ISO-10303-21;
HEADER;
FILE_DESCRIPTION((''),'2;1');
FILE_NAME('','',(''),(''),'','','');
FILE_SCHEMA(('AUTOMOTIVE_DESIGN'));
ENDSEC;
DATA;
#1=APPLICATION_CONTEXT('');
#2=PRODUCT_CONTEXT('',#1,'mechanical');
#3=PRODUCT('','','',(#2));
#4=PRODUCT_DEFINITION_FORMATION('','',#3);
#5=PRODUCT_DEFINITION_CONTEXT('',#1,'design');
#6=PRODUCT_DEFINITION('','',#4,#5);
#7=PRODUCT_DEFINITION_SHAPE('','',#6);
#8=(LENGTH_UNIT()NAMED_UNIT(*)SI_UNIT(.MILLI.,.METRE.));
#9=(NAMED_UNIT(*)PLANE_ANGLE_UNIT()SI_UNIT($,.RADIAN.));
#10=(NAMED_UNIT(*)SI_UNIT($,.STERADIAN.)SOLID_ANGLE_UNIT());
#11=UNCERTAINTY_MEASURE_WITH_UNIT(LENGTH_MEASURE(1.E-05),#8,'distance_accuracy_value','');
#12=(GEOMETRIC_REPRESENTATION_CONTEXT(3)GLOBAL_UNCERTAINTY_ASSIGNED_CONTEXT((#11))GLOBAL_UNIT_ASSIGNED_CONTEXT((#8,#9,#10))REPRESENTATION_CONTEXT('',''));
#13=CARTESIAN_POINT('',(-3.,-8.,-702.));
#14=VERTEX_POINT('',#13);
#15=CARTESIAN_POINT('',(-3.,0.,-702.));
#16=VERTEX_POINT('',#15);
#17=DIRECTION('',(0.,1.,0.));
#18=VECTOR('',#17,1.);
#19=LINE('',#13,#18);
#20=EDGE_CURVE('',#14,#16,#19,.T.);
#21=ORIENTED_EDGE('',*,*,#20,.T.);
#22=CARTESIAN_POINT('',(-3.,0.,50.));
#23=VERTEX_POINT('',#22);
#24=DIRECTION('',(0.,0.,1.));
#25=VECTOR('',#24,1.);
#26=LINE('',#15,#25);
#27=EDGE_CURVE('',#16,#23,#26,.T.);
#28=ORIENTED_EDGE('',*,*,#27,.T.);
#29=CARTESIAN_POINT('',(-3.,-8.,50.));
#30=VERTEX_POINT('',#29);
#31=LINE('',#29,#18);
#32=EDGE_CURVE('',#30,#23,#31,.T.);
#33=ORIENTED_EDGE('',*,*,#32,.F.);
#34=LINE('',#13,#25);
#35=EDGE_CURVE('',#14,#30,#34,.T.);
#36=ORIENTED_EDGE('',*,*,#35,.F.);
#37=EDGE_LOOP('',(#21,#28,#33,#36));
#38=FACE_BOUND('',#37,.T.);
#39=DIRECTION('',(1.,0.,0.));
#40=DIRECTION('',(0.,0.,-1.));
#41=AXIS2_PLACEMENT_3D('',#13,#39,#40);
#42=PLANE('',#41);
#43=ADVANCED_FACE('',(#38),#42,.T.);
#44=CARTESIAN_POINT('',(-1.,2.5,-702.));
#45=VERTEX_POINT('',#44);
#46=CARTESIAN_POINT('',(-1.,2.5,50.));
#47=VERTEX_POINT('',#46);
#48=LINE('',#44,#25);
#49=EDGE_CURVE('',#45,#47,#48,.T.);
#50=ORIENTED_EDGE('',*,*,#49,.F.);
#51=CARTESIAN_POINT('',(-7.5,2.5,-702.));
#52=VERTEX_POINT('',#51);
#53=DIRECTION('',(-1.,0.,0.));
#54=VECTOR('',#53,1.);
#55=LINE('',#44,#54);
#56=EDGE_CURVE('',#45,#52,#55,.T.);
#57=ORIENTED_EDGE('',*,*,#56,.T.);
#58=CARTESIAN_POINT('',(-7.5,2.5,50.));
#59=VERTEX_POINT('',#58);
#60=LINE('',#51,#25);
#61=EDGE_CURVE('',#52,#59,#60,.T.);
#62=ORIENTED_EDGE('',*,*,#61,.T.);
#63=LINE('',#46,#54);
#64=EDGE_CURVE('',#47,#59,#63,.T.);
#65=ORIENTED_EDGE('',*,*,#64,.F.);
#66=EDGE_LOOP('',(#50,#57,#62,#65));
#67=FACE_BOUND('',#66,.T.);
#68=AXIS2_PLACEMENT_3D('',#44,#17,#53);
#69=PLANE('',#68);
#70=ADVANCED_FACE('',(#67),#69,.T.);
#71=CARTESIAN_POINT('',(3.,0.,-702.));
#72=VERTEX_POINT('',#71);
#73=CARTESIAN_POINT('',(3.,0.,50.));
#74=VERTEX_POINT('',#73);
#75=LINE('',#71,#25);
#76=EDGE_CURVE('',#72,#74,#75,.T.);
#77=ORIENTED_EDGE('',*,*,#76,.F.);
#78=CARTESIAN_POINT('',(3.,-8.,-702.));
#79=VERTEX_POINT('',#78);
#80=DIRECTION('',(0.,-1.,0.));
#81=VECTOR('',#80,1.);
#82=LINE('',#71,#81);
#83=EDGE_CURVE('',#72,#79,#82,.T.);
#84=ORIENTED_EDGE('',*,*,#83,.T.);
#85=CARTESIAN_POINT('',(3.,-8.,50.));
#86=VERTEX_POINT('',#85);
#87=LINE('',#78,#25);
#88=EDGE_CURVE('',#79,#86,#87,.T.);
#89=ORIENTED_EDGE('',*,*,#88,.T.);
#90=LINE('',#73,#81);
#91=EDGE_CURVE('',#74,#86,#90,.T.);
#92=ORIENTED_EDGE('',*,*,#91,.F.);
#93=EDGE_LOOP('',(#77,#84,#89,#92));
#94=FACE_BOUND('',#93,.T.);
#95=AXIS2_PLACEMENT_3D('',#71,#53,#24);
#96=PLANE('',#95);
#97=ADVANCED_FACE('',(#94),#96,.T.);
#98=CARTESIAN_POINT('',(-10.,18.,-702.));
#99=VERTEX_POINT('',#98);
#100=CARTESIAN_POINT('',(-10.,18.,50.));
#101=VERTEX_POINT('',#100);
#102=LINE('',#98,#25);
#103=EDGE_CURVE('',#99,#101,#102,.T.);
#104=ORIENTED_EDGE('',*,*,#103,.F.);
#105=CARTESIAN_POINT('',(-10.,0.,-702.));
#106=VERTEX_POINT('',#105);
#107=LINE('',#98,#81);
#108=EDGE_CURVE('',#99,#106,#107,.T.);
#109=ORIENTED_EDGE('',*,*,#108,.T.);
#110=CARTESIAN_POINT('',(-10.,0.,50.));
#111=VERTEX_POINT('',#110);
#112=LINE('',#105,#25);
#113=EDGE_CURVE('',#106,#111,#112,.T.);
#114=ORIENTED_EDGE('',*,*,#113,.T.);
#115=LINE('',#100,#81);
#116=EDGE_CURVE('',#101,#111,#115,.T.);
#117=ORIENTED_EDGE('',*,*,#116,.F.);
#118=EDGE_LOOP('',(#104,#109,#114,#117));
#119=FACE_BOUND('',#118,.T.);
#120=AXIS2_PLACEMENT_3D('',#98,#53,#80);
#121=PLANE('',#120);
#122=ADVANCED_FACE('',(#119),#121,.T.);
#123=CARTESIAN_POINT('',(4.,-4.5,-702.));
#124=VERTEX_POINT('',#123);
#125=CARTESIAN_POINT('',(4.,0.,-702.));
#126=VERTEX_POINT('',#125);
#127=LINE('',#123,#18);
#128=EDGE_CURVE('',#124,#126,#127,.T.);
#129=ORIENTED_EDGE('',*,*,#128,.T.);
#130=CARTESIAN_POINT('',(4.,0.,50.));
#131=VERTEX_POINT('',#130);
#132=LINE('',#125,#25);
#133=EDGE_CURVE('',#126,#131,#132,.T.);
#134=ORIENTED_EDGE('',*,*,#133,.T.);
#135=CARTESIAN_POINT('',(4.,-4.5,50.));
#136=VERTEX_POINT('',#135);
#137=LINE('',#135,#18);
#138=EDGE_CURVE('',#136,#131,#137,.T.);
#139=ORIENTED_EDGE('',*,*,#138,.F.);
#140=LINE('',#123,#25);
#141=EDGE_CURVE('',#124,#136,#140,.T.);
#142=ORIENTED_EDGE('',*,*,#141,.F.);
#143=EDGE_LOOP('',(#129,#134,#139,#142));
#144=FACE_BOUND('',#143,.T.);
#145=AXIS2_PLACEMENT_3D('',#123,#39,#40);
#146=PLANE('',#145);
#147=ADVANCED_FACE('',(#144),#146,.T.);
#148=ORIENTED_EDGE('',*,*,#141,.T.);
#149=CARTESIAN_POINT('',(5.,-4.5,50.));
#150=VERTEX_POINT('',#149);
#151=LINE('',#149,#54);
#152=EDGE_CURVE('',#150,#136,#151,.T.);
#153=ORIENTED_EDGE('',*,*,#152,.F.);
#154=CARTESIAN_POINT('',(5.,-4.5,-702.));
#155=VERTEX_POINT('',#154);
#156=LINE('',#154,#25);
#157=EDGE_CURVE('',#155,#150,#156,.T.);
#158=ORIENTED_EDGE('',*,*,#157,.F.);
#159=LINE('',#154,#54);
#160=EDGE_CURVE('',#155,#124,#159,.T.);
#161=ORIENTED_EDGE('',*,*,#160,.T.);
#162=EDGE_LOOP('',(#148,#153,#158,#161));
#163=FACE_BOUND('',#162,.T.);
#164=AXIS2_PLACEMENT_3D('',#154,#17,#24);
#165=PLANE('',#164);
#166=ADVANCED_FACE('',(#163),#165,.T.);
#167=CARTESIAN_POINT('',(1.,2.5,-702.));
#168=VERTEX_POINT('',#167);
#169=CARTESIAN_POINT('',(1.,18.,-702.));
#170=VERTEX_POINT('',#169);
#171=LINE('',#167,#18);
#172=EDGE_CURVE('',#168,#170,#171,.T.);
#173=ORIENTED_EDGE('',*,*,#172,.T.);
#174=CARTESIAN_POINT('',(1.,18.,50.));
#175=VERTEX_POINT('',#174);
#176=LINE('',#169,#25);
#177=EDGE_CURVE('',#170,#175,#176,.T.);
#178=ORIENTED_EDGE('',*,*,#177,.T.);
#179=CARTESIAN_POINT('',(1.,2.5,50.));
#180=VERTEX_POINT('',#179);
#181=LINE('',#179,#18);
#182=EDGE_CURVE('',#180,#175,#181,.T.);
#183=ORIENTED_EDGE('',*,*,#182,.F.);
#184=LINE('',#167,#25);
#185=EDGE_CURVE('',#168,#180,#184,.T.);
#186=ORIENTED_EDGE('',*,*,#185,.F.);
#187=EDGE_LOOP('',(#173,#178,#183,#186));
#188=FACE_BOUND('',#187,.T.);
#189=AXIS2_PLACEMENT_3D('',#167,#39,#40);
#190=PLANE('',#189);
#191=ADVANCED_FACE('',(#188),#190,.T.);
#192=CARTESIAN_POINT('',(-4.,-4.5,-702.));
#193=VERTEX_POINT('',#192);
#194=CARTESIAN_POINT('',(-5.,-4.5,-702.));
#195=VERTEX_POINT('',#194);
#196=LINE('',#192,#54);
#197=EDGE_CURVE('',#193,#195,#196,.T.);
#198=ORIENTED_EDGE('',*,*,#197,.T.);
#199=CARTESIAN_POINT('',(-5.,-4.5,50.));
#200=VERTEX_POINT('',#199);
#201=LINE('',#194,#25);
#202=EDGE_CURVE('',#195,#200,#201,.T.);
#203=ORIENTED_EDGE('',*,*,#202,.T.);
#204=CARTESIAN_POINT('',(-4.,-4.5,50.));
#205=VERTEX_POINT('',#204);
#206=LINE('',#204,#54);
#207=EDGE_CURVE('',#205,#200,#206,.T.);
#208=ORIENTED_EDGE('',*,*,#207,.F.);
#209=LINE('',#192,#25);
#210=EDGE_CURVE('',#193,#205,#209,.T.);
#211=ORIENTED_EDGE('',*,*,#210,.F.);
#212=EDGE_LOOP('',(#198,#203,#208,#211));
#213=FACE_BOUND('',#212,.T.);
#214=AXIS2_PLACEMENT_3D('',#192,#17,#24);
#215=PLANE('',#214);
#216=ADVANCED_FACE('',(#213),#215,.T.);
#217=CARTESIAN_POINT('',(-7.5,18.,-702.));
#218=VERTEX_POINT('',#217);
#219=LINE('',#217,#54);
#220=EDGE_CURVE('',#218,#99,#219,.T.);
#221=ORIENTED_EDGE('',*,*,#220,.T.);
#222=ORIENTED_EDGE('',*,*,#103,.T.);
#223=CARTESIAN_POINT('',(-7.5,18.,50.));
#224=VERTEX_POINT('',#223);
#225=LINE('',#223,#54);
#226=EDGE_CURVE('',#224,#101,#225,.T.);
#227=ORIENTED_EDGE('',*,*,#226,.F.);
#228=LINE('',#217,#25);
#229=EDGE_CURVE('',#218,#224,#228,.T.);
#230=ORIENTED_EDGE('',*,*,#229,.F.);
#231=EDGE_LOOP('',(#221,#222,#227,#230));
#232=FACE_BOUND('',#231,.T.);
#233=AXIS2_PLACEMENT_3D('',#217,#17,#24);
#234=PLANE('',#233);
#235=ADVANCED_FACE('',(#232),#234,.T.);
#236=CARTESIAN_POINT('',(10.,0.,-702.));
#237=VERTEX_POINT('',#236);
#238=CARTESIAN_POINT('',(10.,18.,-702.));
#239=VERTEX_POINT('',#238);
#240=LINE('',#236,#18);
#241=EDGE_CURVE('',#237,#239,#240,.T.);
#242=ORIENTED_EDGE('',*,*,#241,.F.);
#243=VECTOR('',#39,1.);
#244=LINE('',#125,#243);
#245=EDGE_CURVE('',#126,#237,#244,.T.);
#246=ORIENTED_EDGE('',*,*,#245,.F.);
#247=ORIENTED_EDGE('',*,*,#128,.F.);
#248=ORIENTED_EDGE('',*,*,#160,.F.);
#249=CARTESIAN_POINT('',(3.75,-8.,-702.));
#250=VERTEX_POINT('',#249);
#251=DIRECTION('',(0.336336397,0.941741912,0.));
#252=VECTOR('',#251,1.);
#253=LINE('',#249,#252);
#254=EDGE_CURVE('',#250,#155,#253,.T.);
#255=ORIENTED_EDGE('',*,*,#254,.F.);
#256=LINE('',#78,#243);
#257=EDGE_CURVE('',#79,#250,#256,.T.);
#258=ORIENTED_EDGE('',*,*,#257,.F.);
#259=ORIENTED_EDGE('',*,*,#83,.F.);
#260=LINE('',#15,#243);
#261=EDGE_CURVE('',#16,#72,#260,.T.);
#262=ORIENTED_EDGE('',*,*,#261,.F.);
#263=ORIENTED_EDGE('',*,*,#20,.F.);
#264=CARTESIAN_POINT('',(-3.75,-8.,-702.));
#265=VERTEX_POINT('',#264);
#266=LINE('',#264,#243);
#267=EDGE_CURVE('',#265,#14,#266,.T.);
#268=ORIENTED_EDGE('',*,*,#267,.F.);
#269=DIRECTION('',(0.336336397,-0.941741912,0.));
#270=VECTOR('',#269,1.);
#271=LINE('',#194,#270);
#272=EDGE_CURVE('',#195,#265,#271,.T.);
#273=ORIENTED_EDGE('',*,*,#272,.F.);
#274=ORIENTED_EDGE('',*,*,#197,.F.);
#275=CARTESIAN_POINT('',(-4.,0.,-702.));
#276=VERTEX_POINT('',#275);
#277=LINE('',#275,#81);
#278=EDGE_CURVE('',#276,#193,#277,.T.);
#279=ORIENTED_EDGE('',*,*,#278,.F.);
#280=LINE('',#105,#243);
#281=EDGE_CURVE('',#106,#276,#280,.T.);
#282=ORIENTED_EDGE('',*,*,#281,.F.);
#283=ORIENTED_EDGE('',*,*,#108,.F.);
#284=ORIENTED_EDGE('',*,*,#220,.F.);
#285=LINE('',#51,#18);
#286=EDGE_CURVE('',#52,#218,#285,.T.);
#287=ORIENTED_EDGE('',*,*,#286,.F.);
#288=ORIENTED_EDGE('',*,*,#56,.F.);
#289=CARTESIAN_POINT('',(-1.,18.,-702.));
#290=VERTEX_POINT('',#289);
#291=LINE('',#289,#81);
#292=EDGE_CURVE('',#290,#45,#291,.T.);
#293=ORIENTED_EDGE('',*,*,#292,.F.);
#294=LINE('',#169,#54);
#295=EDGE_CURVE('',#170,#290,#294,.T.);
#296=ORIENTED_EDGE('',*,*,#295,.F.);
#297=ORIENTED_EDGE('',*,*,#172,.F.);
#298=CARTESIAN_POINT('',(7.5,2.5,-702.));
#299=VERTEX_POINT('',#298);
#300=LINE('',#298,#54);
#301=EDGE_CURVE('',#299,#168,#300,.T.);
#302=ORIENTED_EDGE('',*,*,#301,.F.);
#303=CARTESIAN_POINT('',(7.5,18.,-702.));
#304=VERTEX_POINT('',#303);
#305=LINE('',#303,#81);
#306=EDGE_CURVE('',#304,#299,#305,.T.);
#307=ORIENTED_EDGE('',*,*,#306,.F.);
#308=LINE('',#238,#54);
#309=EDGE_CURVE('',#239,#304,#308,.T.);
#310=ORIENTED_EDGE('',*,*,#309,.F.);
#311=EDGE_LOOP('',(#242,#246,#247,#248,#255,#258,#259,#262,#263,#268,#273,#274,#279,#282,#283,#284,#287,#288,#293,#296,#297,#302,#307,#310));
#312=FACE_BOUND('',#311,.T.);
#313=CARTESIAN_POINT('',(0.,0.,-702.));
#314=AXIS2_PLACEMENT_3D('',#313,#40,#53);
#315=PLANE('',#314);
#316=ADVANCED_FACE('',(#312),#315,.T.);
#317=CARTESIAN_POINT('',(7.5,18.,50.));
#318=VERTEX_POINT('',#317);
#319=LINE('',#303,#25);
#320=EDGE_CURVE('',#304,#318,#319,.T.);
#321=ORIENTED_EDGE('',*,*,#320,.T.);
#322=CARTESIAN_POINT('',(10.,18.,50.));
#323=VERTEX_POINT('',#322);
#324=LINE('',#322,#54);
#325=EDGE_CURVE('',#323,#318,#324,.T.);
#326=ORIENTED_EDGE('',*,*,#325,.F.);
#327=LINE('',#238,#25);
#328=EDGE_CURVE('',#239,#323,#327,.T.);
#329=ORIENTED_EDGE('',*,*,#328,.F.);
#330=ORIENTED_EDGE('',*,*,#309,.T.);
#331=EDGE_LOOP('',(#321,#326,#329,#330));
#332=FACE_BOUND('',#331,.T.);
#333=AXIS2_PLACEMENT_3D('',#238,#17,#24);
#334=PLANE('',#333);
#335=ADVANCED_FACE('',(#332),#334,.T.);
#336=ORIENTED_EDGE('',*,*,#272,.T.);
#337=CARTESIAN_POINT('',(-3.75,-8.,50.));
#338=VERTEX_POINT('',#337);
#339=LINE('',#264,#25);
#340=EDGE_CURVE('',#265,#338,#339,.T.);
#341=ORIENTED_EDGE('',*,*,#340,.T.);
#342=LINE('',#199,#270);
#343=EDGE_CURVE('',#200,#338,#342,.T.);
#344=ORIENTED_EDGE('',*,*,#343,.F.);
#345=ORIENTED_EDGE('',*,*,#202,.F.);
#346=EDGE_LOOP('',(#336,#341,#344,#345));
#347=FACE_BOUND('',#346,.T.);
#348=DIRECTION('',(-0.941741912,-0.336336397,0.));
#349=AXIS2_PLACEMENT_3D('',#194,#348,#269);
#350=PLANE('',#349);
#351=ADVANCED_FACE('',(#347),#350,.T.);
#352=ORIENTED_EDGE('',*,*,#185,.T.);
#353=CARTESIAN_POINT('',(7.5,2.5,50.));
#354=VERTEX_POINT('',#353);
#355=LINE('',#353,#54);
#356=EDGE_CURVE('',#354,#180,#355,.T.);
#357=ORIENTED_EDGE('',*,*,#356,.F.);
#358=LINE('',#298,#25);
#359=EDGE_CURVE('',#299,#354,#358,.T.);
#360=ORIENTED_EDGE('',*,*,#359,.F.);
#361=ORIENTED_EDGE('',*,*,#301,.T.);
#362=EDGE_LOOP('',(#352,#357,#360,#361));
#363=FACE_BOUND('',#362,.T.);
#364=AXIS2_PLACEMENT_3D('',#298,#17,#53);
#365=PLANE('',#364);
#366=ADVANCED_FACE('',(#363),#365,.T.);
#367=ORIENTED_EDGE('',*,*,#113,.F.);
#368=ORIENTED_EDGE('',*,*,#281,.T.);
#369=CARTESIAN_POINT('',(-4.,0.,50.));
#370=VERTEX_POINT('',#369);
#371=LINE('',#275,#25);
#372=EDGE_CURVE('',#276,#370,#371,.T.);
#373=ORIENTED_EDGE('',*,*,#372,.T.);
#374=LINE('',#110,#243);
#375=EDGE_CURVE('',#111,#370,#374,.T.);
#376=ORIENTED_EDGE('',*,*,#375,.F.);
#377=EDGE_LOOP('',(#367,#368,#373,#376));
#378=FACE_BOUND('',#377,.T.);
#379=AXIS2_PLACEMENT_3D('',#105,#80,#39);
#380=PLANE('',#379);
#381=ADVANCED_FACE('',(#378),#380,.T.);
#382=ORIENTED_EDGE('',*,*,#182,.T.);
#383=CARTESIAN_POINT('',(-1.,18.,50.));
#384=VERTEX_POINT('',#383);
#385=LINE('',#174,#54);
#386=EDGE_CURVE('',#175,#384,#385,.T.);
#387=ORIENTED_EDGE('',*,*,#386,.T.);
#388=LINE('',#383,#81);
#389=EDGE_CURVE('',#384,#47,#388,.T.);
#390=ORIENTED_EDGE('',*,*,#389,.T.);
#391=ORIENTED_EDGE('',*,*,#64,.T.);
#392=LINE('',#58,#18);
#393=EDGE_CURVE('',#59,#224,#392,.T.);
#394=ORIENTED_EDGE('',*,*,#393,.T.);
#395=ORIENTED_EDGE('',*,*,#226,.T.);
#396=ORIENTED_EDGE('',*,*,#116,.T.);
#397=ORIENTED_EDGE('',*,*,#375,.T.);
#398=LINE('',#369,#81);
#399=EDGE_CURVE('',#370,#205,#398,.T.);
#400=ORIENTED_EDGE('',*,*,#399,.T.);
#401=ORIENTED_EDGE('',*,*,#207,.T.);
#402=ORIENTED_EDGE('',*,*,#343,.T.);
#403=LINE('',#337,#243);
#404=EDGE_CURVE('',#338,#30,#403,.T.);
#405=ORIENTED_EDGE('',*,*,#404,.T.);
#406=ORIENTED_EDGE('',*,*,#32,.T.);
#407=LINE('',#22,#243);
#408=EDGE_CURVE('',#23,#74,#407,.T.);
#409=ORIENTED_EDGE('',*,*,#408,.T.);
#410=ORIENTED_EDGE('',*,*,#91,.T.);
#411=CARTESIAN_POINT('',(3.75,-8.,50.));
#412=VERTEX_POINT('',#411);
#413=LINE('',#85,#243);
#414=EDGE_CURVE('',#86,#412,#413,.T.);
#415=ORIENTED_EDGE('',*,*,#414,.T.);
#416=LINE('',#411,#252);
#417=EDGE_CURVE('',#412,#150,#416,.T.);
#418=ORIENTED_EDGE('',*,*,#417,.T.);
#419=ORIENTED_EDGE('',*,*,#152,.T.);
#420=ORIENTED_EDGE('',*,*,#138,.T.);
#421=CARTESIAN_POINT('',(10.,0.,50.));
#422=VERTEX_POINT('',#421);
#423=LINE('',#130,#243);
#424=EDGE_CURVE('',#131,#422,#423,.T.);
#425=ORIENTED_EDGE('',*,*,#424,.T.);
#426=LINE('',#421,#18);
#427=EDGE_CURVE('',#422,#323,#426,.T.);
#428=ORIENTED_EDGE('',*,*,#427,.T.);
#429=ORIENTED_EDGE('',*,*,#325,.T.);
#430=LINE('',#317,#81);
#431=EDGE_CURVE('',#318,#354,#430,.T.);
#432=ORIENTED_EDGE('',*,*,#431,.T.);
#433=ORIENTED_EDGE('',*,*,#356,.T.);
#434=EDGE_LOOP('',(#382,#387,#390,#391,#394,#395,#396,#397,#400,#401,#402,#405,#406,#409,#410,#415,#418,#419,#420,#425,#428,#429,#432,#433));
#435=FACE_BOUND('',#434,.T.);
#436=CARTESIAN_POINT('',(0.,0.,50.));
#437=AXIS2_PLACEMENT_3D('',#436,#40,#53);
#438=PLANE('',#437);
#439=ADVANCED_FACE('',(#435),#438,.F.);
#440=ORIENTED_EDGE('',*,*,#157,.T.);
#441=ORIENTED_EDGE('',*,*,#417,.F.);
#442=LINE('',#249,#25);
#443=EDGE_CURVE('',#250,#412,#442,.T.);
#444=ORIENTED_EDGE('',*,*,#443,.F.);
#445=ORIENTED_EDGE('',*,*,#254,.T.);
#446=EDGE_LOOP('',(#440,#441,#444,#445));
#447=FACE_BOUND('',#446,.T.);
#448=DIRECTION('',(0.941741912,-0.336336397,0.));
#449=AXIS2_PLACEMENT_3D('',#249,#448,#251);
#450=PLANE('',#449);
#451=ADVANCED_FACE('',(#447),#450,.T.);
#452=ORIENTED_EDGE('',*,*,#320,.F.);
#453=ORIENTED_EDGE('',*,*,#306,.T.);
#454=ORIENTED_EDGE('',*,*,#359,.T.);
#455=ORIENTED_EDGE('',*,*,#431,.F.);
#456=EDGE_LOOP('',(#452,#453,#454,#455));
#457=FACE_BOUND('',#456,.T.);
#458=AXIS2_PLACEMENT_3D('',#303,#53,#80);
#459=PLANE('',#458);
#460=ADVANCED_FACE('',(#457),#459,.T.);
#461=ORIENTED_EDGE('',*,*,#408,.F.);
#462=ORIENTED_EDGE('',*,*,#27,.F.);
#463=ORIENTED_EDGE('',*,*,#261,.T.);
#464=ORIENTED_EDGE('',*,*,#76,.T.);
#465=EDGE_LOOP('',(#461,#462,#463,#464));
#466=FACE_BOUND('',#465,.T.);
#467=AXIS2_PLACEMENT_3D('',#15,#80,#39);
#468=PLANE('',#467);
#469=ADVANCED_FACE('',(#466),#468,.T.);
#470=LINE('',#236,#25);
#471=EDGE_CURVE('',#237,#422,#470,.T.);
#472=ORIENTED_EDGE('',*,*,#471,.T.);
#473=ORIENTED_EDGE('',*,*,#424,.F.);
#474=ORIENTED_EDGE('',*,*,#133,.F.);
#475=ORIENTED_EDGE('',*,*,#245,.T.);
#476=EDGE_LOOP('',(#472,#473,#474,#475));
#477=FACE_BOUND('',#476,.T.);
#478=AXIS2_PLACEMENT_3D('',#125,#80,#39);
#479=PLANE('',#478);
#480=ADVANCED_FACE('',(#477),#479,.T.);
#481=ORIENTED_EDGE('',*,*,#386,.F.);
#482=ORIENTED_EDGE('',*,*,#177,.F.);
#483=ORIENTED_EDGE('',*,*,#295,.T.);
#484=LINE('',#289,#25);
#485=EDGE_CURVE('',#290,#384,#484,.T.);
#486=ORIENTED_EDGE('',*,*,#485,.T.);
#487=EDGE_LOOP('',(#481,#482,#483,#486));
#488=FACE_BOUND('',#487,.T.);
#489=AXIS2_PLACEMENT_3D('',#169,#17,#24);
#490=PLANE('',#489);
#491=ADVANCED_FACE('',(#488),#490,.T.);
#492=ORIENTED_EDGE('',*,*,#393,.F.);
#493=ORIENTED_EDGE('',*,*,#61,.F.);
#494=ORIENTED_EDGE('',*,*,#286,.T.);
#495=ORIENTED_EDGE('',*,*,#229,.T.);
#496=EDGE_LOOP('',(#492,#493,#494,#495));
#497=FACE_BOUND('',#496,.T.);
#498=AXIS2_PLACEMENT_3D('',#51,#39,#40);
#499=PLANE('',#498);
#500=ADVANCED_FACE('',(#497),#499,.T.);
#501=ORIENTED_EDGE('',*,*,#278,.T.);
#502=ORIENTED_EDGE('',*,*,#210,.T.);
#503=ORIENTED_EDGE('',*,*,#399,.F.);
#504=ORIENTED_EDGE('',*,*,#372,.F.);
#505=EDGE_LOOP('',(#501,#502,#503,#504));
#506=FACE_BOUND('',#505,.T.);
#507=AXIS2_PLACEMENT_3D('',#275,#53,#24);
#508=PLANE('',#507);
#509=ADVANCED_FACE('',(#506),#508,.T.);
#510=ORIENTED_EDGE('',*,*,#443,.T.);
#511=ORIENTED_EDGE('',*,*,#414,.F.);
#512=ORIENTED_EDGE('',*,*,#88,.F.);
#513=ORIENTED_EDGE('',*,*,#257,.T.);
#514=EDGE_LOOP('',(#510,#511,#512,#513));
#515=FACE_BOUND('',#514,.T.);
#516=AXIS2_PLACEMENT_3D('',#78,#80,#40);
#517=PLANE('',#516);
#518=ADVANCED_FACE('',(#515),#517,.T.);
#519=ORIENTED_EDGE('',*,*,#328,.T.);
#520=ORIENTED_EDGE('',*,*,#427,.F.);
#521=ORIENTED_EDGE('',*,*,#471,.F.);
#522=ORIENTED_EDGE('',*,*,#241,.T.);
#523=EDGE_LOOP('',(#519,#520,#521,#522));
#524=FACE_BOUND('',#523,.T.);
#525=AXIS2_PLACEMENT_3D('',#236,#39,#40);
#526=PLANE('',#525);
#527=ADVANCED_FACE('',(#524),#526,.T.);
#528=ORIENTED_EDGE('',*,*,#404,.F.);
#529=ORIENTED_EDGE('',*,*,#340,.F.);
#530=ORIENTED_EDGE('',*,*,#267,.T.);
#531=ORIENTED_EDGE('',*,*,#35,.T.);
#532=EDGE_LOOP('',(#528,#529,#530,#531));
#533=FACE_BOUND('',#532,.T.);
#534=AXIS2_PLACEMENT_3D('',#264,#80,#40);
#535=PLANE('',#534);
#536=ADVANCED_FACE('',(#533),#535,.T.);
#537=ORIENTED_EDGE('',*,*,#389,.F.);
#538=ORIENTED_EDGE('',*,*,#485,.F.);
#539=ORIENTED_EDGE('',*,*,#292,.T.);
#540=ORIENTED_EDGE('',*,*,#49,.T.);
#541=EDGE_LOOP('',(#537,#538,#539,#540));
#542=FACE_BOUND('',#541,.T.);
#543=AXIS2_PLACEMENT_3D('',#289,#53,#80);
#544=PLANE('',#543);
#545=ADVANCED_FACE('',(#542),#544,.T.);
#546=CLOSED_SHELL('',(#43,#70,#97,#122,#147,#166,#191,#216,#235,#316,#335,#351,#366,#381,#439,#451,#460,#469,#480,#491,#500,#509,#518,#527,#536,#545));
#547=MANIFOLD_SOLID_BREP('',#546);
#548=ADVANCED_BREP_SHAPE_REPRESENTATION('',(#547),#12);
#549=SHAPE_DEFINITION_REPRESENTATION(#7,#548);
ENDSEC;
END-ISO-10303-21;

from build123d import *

# Parameters (mm, degrees)
BOSS_EXTRU_1_DEPTH = 752


with BuildPart() as part:
    # Esquisse1 → Boss.-Extru.1 (new body)
    with BuildSketch(Plane.XY.offset(50)):
        Polygon((-1, 2.5), (-7.5, 2.5), (-7.5, 17.999999998), (-10, 17.999999998), (-10, 0), (-4, 0), (-4, -4.5), (-5, -4.5), (-3.75, -8), (-3, -8), (-3, 0), (3, 0), (3, -8), (3.75, -8), (5, -4.5), (4, -4.5), (4, 0), (10, 0), (10, 17.999999998), (7.5, 17.999999998), (7.5, 2.5), (1, 2.5), (1, 17.999999998), (-1, 17.999999998), align=None)
    extrude(amount=-BOSS_EXTRU_1_DEPTH)


solid = part.part
